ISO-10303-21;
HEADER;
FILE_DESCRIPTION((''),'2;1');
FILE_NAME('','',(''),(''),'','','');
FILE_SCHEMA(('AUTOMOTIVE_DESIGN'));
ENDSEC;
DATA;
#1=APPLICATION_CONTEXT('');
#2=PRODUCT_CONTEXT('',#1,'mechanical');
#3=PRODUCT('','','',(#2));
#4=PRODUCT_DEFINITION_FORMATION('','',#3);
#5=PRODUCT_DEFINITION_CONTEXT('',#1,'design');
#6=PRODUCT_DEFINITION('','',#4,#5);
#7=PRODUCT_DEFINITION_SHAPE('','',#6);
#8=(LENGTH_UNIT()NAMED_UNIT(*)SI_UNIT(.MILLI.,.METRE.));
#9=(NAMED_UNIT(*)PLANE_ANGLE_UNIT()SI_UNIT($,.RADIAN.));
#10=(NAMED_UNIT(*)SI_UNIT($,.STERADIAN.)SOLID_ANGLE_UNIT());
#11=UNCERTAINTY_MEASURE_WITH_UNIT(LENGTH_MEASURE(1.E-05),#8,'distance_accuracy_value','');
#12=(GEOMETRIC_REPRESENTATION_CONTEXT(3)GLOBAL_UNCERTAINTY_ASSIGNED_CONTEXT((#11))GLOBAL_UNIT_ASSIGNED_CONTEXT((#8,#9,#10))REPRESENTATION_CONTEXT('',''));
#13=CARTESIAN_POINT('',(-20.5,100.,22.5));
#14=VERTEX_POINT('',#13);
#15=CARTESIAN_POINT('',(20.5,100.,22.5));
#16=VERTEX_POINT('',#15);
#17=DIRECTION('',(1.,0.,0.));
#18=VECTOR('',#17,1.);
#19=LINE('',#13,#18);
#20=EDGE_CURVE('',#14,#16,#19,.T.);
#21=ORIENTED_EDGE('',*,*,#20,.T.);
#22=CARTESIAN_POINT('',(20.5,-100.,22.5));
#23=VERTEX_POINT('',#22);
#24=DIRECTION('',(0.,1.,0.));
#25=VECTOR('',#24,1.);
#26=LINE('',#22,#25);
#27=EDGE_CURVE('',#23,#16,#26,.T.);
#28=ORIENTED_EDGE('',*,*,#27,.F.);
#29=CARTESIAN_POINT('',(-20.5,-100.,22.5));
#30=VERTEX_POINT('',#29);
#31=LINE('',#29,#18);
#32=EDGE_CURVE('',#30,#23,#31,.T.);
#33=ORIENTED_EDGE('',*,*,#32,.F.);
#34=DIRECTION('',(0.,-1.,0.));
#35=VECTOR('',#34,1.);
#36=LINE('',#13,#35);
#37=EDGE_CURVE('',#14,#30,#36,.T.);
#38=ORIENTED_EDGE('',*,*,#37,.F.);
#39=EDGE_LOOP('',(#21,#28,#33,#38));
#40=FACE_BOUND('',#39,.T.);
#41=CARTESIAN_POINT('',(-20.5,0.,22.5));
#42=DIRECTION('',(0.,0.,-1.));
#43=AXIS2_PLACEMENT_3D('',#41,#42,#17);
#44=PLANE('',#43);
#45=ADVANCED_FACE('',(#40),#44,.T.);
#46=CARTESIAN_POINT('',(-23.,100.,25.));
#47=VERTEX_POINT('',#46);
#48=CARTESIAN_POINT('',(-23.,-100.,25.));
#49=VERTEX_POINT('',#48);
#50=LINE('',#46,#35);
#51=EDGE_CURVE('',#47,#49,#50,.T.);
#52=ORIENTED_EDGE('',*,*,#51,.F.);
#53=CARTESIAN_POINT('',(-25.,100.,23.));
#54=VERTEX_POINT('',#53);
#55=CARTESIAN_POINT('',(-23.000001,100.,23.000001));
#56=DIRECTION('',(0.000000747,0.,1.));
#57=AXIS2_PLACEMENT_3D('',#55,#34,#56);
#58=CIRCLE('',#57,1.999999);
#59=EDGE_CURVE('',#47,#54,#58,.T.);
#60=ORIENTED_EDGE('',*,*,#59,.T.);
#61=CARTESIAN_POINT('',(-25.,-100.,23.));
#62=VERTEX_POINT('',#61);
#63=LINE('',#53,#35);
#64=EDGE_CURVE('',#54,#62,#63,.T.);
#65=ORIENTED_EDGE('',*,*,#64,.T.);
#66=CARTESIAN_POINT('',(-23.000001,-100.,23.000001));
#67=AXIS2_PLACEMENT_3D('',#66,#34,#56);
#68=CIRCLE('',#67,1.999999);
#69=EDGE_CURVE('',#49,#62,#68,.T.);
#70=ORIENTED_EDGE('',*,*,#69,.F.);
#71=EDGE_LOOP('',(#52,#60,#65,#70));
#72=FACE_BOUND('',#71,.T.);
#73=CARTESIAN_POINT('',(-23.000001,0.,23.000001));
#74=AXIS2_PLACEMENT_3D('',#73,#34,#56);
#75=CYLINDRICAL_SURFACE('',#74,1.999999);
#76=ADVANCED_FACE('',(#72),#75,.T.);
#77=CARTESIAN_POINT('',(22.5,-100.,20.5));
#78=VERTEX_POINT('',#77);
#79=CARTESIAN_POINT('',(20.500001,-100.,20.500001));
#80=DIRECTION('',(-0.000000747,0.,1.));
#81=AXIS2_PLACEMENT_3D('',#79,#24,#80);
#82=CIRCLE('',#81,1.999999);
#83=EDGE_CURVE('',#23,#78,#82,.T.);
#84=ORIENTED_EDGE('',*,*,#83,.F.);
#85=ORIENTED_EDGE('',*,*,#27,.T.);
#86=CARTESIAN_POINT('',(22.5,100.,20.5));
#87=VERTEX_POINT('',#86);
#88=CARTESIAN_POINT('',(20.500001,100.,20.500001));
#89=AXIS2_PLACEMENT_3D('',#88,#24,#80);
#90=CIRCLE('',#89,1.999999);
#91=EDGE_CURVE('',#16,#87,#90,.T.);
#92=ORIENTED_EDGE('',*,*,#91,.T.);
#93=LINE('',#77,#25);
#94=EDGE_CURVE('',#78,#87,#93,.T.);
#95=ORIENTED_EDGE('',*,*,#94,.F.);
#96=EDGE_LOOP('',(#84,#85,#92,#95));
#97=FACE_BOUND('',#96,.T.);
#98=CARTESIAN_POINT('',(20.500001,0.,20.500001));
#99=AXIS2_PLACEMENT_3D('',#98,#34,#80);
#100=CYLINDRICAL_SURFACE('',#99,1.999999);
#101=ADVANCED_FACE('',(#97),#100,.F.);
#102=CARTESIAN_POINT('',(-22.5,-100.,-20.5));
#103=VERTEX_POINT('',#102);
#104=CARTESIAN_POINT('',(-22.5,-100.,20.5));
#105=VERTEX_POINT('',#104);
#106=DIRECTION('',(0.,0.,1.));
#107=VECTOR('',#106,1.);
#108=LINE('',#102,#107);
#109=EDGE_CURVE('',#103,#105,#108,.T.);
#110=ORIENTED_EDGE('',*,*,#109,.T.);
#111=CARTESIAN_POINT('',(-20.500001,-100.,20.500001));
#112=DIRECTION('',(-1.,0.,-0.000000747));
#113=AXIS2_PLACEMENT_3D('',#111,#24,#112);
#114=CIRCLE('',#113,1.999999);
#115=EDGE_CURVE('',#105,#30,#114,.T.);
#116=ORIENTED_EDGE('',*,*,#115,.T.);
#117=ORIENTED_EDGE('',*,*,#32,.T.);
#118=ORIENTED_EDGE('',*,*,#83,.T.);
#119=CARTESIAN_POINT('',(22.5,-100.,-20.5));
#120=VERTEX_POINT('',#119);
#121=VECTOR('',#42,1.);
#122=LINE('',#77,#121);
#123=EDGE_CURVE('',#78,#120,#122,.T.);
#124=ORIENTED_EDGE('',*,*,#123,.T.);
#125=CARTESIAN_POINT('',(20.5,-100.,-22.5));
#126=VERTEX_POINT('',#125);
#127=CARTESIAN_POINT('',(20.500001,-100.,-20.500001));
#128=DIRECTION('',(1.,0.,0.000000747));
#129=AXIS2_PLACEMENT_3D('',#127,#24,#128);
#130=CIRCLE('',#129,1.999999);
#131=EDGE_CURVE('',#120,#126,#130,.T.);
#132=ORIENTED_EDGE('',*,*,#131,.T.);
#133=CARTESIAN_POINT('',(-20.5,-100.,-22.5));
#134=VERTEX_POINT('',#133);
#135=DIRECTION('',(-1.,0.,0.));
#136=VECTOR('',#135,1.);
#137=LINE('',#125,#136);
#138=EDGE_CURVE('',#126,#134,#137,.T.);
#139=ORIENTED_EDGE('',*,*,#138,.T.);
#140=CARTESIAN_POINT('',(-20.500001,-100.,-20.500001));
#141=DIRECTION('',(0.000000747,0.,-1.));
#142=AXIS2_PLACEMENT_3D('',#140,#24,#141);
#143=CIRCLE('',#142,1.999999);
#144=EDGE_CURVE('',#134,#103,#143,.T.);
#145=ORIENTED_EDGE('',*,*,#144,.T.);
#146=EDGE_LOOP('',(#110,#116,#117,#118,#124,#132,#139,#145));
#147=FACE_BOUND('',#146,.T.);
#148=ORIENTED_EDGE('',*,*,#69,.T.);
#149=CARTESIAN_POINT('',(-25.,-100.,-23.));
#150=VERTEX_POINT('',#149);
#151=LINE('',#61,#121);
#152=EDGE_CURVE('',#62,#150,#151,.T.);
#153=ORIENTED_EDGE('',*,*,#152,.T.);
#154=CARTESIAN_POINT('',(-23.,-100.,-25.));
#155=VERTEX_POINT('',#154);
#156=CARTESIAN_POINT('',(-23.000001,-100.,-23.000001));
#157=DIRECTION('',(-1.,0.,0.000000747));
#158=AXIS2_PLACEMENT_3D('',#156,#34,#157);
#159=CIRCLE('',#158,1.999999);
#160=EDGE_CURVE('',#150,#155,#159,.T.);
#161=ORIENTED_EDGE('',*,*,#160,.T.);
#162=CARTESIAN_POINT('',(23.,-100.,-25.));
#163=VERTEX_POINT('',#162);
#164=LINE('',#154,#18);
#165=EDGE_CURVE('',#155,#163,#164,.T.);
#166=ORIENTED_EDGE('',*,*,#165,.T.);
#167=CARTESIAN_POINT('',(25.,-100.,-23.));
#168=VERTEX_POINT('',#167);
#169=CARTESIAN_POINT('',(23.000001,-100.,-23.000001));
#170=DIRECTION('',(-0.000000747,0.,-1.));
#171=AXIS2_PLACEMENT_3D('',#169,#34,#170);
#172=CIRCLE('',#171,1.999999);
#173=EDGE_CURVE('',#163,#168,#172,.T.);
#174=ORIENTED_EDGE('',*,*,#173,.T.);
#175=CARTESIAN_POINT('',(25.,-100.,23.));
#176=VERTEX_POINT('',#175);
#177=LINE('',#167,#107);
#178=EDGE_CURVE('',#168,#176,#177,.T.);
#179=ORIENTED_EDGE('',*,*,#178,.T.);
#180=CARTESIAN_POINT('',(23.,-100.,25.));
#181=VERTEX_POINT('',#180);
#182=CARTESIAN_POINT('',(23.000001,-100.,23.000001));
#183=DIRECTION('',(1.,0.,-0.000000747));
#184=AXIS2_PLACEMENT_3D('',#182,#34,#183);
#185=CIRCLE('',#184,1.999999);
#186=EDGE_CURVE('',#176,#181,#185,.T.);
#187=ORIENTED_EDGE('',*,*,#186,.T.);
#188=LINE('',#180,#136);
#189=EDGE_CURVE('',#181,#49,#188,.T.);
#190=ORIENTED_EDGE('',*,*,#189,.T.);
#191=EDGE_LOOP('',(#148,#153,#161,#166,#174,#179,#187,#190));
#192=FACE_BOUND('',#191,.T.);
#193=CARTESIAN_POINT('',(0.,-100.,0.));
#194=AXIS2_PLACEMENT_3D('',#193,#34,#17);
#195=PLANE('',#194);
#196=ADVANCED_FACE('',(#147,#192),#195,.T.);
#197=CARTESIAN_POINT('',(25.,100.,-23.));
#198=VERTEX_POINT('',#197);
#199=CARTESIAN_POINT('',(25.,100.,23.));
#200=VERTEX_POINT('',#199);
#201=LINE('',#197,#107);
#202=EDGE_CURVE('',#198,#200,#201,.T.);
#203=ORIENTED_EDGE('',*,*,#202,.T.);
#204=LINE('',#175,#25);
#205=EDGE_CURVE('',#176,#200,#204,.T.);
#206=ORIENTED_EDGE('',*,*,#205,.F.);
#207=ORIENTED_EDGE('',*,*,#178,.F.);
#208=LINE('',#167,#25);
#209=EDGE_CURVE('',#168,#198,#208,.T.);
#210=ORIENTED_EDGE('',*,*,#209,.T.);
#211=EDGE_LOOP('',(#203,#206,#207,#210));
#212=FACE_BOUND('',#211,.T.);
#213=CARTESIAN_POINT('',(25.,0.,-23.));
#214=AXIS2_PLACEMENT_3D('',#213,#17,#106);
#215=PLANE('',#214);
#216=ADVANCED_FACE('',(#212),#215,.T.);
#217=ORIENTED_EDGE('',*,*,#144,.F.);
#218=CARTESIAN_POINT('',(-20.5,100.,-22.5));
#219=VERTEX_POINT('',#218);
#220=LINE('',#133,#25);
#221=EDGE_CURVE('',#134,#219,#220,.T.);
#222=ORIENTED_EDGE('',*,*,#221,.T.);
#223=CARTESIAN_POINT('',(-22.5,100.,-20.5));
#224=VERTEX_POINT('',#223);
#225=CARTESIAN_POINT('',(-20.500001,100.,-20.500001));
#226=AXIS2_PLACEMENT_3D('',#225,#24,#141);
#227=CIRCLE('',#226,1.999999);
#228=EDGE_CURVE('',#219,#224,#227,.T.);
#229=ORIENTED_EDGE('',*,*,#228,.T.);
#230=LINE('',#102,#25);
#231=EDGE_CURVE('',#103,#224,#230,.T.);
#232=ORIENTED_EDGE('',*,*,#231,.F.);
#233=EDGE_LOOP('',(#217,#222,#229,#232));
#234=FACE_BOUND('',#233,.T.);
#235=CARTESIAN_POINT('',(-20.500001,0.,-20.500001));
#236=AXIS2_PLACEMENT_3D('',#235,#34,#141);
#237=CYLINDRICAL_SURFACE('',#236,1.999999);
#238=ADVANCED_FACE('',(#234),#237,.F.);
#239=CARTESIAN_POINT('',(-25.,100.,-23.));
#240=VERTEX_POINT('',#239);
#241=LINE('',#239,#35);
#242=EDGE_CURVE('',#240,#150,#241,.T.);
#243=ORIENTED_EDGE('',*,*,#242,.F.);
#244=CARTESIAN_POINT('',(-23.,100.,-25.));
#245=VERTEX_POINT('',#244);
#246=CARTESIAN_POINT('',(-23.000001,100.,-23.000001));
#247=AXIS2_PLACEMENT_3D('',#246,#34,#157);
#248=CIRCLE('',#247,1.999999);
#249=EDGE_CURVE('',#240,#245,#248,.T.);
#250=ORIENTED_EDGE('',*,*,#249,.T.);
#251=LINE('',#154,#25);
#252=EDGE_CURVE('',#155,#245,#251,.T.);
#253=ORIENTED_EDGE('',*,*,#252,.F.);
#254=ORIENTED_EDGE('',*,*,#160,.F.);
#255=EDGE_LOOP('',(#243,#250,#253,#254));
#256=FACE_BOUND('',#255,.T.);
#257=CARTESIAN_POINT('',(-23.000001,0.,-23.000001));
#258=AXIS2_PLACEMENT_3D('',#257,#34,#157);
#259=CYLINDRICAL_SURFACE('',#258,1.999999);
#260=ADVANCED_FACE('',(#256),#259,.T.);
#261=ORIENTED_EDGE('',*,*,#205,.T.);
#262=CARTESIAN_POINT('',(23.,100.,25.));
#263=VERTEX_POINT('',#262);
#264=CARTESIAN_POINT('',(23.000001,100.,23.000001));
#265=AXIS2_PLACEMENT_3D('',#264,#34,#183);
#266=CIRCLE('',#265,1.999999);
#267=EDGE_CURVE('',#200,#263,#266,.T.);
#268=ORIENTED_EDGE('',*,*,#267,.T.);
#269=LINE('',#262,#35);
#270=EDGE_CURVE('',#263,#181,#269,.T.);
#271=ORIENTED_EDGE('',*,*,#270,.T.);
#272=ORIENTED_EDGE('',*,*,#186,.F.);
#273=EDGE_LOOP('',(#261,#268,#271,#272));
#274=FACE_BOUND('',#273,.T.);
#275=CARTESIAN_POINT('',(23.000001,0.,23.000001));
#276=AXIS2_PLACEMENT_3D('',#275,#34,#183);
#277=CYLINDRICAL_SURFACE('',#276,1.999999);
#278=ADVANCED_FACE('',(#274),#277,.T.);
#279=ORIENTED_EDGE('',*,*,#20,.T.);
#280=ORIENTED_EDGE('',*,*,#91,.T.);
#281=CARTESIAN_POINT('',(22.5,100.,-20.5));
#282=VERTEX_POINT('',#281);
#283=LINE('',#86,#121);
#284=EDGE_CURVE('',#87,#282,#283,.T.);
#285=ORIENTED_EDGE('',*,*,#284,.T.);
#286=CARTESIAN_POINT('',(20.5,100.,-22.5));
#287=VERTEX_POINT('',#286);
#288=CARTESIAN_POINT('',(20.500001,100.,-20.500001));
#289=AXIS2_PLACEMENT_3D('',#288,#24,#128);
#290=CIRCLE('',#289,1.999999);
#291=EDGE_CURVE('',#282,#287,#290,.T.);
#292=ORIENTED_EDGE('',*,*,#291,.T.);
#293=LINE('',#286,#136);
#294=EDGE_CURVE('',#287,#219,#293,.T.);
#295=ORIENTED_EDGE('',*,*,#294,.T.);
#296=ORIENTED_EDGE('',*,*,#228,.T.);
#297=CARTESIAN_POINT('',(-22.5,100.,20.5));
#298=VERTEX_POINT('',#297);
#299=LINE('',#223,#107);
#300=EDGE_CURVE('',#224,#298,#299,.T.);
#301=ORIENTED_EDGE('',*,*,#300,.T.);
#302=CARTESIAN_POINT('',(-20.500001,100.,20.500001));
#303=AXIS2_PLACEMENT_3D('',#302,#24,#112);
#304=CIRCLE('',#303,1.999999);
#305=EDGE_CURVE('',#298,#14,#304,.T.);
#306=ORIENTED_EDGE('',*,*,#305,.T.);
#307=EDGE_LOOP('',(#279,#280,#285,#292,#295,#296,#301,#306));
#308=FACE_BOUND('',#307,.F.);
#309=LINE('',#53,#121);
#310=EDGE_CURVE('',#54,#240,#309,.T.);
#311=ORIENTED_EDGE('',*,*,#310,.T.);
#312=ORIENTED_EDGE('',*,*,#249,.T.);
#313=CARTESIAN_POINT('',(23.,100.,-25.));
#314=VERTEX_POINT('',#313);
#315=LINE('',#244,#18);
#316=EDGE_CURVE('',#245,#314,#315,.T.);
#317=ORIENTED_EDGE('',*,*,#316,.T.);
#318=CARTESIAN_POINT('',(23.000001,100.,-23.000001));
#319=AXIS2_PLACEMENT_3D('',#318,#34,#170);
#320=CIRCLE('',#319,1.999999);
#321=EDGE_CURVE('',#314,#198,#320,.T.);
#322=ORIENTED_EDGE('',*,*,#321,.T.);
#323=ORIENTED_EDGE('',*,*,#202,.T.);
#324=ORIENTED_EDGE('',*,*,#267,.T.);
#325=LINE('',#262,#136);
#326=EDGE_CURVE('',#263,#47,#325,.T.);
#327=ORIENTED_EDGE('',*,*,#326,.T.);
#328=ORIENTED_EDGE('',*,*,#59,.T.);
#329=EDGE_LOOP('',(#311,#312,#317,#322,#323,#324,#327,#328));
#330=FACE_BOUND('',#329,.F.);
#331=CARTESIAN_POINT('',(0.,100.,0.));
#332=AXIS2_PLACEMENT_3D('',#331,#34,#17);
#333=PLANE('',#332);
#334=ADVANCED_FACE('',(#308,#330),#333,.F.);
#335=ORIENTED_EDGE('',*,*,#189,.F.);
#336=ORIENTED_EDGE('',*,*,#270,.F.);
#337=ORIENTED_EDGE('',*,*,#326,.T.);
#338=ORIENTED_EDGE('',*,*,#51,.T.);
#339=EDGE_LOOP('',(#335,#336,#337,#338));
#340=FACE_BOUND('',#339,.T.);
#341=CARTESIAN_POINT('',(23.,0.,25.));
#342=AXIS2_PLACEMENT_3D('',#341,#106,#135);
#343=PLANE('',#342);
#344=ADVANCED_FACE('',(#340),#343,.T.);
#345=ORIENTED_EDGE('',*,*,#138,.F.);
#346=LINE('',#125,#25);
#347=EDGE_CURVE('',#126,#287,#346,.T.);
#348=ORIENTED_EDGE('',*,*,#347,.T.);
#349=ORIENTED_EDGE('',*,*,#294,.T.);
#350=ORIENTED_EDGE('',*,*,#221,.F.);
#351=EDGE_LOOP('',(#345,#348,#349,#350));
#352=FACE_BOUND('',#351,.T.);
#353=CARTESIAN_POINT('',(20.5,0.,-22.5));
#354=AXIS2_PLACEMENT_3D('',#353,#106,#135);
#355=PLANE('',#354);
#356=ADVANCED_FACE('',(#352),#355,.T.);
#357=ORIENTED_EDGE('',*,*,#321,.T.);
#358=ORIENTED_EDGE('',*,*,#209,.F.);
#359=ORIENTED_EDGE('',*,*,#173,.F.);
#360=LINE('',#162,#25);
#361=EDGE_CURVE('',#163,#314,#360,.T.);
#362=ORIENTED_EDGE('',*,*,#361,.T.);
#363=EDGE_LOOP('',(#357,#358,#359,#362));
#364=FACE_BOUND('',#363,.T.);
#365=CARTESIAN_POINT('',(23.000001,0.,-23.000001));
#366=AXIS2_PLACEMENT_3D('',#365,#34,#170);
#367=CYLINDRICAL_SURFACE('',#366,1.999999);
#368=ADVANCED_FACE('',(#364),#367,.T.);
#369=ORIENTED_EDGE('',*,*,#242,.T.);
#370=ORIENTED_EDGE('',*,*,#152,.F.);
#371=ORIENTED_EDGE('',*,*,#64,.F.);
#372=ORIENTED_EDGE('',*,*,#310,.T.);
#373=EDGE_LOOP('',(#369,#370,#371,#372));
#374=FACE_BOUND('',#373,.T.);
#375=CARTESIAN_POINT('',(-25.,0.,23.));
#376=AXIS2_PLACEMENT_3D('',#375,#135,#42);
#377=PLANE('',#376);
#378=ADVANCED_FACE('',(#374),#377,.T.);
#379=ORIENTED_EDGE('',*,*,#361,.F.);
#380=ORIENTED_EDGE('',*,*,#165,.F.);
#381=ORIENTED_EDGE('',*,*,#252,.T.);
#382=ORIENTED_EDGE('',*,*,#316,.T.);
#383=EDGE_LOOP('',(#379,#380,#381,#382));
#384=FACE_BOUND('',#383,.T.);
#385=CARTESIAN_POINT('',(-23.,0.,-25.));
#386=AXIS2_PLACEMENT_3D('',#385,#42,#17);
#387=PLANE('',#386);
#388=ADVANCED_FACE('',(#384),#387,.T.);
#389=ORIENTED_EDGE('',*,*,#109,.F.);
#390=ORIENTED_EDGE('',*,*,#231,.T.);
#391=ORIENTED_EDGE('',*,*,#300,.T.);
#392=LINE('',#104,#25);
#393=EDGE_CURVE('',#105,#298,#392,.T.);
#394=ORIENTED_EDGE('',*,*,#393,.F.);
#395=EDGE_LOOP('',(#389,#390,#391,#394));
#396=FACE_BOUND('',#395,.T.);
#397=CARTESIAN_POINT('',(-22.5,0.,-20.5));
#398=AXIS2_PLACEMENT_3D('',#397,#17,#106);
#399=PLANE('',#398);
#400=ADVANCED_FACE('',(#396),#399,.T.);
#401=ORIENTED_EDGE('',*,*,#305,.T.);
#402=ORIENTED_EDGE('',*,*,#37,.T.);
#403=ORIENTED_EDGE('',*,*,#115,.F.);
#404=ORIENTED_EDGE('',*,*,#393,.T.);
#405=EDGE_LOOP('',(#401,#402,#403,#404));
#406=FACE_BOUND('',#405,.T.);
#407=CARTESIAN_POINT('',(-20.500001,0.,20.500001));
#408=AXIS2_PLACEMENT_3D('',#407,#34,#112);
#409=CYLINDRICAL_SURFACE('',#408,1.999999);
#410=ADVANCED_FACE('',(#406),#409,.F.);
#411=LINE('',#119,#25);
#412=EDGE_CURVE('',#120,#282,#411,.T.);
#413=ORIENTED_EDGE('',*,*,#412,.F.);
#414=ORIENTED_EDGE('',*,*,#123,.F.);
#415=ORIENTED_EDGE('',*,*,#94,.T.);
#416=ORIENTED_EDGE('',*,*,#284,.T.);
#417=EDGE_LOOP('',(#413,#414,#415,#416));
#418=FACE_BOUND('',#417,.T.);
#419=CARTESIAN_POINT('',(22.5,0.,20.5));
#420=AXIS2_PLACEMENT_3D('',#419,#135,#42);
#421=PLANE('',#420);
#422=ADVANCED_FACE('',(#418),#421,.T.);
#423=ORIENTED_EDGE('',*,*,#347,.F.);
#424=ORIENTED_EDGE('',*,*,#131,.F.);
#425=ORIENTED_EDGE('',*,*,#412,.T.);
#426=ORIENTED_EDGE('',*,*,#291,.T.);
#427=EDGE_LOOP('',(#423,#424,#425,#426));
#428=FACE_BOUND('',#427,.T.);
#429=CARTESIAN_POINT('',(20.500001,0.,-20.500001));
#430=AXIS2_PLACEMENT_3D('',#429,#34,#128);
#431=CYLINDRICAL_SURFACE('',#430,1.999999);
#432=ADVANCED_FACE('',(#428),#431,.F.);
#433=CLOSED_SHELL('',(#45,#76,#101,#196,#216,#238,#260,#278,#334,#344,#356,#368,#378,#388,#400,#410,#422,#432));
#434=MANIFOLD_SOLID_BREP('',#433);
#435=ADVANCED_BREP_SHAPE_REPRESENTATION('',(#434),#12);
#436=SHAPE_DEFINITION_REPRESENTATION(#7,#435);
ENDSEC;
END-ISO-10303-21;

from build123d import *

# Parameters (mm, degrees)
F1_DEPTH = 100


with BuildPart() as f1:
    # F0 (on Front) → F1 (new body, symmetric)
    with BuildSketch(Plane.XZ):
        with BuildLine():
            ThreePointArc((25, 23), (24.414214, 24.414214), (23, 25))
            Line((23, 25), (-23, 25))
            ThreePointArc((-23, 25), (-24.414214, 24.414214), (-25, 23))
            Line((-25, 23), (-25, -23))
            ThreePointArc((-25, -23), (-24.414214, -24.414214), (-23, -25))
            Line((-23, -25), (23, -25))
            ThreePointArc((23, -25), (24.414214, -24.414214), (25, -23))
            Line((25, -23), (25, 23))
        make_face()
        with BuildLine():
            Line((-20.5, 22.5), (20.5, 22.5))
            ThreePointArc((20.5, 22.5), (21.914214, 21.914214), (22.5, 20.5))
            Line((22.5, 20.5), (22.5, -20.5))
            ThreePointArc((22.5, -20.5), (21.914214, -21.914214), (20.5, -22.5))
            Line((20.5, -22.5), (-20.5, -22.5))
            ThreePointArc((-20.5, -22.5), (-21.914214, -21.914214), (-22.5, -20.5))
            Line((-22.5, -20.5), (-22.5, 20.5))
            ThreePointArc((-22.5, 20.5), (-21.914214, 21.914214), (-20.5, 22.5))
        make_face(mode=Mode.SUBTRACT)
    extrude(amount=F1_DEPTH, both=True)


solid = f1.part
